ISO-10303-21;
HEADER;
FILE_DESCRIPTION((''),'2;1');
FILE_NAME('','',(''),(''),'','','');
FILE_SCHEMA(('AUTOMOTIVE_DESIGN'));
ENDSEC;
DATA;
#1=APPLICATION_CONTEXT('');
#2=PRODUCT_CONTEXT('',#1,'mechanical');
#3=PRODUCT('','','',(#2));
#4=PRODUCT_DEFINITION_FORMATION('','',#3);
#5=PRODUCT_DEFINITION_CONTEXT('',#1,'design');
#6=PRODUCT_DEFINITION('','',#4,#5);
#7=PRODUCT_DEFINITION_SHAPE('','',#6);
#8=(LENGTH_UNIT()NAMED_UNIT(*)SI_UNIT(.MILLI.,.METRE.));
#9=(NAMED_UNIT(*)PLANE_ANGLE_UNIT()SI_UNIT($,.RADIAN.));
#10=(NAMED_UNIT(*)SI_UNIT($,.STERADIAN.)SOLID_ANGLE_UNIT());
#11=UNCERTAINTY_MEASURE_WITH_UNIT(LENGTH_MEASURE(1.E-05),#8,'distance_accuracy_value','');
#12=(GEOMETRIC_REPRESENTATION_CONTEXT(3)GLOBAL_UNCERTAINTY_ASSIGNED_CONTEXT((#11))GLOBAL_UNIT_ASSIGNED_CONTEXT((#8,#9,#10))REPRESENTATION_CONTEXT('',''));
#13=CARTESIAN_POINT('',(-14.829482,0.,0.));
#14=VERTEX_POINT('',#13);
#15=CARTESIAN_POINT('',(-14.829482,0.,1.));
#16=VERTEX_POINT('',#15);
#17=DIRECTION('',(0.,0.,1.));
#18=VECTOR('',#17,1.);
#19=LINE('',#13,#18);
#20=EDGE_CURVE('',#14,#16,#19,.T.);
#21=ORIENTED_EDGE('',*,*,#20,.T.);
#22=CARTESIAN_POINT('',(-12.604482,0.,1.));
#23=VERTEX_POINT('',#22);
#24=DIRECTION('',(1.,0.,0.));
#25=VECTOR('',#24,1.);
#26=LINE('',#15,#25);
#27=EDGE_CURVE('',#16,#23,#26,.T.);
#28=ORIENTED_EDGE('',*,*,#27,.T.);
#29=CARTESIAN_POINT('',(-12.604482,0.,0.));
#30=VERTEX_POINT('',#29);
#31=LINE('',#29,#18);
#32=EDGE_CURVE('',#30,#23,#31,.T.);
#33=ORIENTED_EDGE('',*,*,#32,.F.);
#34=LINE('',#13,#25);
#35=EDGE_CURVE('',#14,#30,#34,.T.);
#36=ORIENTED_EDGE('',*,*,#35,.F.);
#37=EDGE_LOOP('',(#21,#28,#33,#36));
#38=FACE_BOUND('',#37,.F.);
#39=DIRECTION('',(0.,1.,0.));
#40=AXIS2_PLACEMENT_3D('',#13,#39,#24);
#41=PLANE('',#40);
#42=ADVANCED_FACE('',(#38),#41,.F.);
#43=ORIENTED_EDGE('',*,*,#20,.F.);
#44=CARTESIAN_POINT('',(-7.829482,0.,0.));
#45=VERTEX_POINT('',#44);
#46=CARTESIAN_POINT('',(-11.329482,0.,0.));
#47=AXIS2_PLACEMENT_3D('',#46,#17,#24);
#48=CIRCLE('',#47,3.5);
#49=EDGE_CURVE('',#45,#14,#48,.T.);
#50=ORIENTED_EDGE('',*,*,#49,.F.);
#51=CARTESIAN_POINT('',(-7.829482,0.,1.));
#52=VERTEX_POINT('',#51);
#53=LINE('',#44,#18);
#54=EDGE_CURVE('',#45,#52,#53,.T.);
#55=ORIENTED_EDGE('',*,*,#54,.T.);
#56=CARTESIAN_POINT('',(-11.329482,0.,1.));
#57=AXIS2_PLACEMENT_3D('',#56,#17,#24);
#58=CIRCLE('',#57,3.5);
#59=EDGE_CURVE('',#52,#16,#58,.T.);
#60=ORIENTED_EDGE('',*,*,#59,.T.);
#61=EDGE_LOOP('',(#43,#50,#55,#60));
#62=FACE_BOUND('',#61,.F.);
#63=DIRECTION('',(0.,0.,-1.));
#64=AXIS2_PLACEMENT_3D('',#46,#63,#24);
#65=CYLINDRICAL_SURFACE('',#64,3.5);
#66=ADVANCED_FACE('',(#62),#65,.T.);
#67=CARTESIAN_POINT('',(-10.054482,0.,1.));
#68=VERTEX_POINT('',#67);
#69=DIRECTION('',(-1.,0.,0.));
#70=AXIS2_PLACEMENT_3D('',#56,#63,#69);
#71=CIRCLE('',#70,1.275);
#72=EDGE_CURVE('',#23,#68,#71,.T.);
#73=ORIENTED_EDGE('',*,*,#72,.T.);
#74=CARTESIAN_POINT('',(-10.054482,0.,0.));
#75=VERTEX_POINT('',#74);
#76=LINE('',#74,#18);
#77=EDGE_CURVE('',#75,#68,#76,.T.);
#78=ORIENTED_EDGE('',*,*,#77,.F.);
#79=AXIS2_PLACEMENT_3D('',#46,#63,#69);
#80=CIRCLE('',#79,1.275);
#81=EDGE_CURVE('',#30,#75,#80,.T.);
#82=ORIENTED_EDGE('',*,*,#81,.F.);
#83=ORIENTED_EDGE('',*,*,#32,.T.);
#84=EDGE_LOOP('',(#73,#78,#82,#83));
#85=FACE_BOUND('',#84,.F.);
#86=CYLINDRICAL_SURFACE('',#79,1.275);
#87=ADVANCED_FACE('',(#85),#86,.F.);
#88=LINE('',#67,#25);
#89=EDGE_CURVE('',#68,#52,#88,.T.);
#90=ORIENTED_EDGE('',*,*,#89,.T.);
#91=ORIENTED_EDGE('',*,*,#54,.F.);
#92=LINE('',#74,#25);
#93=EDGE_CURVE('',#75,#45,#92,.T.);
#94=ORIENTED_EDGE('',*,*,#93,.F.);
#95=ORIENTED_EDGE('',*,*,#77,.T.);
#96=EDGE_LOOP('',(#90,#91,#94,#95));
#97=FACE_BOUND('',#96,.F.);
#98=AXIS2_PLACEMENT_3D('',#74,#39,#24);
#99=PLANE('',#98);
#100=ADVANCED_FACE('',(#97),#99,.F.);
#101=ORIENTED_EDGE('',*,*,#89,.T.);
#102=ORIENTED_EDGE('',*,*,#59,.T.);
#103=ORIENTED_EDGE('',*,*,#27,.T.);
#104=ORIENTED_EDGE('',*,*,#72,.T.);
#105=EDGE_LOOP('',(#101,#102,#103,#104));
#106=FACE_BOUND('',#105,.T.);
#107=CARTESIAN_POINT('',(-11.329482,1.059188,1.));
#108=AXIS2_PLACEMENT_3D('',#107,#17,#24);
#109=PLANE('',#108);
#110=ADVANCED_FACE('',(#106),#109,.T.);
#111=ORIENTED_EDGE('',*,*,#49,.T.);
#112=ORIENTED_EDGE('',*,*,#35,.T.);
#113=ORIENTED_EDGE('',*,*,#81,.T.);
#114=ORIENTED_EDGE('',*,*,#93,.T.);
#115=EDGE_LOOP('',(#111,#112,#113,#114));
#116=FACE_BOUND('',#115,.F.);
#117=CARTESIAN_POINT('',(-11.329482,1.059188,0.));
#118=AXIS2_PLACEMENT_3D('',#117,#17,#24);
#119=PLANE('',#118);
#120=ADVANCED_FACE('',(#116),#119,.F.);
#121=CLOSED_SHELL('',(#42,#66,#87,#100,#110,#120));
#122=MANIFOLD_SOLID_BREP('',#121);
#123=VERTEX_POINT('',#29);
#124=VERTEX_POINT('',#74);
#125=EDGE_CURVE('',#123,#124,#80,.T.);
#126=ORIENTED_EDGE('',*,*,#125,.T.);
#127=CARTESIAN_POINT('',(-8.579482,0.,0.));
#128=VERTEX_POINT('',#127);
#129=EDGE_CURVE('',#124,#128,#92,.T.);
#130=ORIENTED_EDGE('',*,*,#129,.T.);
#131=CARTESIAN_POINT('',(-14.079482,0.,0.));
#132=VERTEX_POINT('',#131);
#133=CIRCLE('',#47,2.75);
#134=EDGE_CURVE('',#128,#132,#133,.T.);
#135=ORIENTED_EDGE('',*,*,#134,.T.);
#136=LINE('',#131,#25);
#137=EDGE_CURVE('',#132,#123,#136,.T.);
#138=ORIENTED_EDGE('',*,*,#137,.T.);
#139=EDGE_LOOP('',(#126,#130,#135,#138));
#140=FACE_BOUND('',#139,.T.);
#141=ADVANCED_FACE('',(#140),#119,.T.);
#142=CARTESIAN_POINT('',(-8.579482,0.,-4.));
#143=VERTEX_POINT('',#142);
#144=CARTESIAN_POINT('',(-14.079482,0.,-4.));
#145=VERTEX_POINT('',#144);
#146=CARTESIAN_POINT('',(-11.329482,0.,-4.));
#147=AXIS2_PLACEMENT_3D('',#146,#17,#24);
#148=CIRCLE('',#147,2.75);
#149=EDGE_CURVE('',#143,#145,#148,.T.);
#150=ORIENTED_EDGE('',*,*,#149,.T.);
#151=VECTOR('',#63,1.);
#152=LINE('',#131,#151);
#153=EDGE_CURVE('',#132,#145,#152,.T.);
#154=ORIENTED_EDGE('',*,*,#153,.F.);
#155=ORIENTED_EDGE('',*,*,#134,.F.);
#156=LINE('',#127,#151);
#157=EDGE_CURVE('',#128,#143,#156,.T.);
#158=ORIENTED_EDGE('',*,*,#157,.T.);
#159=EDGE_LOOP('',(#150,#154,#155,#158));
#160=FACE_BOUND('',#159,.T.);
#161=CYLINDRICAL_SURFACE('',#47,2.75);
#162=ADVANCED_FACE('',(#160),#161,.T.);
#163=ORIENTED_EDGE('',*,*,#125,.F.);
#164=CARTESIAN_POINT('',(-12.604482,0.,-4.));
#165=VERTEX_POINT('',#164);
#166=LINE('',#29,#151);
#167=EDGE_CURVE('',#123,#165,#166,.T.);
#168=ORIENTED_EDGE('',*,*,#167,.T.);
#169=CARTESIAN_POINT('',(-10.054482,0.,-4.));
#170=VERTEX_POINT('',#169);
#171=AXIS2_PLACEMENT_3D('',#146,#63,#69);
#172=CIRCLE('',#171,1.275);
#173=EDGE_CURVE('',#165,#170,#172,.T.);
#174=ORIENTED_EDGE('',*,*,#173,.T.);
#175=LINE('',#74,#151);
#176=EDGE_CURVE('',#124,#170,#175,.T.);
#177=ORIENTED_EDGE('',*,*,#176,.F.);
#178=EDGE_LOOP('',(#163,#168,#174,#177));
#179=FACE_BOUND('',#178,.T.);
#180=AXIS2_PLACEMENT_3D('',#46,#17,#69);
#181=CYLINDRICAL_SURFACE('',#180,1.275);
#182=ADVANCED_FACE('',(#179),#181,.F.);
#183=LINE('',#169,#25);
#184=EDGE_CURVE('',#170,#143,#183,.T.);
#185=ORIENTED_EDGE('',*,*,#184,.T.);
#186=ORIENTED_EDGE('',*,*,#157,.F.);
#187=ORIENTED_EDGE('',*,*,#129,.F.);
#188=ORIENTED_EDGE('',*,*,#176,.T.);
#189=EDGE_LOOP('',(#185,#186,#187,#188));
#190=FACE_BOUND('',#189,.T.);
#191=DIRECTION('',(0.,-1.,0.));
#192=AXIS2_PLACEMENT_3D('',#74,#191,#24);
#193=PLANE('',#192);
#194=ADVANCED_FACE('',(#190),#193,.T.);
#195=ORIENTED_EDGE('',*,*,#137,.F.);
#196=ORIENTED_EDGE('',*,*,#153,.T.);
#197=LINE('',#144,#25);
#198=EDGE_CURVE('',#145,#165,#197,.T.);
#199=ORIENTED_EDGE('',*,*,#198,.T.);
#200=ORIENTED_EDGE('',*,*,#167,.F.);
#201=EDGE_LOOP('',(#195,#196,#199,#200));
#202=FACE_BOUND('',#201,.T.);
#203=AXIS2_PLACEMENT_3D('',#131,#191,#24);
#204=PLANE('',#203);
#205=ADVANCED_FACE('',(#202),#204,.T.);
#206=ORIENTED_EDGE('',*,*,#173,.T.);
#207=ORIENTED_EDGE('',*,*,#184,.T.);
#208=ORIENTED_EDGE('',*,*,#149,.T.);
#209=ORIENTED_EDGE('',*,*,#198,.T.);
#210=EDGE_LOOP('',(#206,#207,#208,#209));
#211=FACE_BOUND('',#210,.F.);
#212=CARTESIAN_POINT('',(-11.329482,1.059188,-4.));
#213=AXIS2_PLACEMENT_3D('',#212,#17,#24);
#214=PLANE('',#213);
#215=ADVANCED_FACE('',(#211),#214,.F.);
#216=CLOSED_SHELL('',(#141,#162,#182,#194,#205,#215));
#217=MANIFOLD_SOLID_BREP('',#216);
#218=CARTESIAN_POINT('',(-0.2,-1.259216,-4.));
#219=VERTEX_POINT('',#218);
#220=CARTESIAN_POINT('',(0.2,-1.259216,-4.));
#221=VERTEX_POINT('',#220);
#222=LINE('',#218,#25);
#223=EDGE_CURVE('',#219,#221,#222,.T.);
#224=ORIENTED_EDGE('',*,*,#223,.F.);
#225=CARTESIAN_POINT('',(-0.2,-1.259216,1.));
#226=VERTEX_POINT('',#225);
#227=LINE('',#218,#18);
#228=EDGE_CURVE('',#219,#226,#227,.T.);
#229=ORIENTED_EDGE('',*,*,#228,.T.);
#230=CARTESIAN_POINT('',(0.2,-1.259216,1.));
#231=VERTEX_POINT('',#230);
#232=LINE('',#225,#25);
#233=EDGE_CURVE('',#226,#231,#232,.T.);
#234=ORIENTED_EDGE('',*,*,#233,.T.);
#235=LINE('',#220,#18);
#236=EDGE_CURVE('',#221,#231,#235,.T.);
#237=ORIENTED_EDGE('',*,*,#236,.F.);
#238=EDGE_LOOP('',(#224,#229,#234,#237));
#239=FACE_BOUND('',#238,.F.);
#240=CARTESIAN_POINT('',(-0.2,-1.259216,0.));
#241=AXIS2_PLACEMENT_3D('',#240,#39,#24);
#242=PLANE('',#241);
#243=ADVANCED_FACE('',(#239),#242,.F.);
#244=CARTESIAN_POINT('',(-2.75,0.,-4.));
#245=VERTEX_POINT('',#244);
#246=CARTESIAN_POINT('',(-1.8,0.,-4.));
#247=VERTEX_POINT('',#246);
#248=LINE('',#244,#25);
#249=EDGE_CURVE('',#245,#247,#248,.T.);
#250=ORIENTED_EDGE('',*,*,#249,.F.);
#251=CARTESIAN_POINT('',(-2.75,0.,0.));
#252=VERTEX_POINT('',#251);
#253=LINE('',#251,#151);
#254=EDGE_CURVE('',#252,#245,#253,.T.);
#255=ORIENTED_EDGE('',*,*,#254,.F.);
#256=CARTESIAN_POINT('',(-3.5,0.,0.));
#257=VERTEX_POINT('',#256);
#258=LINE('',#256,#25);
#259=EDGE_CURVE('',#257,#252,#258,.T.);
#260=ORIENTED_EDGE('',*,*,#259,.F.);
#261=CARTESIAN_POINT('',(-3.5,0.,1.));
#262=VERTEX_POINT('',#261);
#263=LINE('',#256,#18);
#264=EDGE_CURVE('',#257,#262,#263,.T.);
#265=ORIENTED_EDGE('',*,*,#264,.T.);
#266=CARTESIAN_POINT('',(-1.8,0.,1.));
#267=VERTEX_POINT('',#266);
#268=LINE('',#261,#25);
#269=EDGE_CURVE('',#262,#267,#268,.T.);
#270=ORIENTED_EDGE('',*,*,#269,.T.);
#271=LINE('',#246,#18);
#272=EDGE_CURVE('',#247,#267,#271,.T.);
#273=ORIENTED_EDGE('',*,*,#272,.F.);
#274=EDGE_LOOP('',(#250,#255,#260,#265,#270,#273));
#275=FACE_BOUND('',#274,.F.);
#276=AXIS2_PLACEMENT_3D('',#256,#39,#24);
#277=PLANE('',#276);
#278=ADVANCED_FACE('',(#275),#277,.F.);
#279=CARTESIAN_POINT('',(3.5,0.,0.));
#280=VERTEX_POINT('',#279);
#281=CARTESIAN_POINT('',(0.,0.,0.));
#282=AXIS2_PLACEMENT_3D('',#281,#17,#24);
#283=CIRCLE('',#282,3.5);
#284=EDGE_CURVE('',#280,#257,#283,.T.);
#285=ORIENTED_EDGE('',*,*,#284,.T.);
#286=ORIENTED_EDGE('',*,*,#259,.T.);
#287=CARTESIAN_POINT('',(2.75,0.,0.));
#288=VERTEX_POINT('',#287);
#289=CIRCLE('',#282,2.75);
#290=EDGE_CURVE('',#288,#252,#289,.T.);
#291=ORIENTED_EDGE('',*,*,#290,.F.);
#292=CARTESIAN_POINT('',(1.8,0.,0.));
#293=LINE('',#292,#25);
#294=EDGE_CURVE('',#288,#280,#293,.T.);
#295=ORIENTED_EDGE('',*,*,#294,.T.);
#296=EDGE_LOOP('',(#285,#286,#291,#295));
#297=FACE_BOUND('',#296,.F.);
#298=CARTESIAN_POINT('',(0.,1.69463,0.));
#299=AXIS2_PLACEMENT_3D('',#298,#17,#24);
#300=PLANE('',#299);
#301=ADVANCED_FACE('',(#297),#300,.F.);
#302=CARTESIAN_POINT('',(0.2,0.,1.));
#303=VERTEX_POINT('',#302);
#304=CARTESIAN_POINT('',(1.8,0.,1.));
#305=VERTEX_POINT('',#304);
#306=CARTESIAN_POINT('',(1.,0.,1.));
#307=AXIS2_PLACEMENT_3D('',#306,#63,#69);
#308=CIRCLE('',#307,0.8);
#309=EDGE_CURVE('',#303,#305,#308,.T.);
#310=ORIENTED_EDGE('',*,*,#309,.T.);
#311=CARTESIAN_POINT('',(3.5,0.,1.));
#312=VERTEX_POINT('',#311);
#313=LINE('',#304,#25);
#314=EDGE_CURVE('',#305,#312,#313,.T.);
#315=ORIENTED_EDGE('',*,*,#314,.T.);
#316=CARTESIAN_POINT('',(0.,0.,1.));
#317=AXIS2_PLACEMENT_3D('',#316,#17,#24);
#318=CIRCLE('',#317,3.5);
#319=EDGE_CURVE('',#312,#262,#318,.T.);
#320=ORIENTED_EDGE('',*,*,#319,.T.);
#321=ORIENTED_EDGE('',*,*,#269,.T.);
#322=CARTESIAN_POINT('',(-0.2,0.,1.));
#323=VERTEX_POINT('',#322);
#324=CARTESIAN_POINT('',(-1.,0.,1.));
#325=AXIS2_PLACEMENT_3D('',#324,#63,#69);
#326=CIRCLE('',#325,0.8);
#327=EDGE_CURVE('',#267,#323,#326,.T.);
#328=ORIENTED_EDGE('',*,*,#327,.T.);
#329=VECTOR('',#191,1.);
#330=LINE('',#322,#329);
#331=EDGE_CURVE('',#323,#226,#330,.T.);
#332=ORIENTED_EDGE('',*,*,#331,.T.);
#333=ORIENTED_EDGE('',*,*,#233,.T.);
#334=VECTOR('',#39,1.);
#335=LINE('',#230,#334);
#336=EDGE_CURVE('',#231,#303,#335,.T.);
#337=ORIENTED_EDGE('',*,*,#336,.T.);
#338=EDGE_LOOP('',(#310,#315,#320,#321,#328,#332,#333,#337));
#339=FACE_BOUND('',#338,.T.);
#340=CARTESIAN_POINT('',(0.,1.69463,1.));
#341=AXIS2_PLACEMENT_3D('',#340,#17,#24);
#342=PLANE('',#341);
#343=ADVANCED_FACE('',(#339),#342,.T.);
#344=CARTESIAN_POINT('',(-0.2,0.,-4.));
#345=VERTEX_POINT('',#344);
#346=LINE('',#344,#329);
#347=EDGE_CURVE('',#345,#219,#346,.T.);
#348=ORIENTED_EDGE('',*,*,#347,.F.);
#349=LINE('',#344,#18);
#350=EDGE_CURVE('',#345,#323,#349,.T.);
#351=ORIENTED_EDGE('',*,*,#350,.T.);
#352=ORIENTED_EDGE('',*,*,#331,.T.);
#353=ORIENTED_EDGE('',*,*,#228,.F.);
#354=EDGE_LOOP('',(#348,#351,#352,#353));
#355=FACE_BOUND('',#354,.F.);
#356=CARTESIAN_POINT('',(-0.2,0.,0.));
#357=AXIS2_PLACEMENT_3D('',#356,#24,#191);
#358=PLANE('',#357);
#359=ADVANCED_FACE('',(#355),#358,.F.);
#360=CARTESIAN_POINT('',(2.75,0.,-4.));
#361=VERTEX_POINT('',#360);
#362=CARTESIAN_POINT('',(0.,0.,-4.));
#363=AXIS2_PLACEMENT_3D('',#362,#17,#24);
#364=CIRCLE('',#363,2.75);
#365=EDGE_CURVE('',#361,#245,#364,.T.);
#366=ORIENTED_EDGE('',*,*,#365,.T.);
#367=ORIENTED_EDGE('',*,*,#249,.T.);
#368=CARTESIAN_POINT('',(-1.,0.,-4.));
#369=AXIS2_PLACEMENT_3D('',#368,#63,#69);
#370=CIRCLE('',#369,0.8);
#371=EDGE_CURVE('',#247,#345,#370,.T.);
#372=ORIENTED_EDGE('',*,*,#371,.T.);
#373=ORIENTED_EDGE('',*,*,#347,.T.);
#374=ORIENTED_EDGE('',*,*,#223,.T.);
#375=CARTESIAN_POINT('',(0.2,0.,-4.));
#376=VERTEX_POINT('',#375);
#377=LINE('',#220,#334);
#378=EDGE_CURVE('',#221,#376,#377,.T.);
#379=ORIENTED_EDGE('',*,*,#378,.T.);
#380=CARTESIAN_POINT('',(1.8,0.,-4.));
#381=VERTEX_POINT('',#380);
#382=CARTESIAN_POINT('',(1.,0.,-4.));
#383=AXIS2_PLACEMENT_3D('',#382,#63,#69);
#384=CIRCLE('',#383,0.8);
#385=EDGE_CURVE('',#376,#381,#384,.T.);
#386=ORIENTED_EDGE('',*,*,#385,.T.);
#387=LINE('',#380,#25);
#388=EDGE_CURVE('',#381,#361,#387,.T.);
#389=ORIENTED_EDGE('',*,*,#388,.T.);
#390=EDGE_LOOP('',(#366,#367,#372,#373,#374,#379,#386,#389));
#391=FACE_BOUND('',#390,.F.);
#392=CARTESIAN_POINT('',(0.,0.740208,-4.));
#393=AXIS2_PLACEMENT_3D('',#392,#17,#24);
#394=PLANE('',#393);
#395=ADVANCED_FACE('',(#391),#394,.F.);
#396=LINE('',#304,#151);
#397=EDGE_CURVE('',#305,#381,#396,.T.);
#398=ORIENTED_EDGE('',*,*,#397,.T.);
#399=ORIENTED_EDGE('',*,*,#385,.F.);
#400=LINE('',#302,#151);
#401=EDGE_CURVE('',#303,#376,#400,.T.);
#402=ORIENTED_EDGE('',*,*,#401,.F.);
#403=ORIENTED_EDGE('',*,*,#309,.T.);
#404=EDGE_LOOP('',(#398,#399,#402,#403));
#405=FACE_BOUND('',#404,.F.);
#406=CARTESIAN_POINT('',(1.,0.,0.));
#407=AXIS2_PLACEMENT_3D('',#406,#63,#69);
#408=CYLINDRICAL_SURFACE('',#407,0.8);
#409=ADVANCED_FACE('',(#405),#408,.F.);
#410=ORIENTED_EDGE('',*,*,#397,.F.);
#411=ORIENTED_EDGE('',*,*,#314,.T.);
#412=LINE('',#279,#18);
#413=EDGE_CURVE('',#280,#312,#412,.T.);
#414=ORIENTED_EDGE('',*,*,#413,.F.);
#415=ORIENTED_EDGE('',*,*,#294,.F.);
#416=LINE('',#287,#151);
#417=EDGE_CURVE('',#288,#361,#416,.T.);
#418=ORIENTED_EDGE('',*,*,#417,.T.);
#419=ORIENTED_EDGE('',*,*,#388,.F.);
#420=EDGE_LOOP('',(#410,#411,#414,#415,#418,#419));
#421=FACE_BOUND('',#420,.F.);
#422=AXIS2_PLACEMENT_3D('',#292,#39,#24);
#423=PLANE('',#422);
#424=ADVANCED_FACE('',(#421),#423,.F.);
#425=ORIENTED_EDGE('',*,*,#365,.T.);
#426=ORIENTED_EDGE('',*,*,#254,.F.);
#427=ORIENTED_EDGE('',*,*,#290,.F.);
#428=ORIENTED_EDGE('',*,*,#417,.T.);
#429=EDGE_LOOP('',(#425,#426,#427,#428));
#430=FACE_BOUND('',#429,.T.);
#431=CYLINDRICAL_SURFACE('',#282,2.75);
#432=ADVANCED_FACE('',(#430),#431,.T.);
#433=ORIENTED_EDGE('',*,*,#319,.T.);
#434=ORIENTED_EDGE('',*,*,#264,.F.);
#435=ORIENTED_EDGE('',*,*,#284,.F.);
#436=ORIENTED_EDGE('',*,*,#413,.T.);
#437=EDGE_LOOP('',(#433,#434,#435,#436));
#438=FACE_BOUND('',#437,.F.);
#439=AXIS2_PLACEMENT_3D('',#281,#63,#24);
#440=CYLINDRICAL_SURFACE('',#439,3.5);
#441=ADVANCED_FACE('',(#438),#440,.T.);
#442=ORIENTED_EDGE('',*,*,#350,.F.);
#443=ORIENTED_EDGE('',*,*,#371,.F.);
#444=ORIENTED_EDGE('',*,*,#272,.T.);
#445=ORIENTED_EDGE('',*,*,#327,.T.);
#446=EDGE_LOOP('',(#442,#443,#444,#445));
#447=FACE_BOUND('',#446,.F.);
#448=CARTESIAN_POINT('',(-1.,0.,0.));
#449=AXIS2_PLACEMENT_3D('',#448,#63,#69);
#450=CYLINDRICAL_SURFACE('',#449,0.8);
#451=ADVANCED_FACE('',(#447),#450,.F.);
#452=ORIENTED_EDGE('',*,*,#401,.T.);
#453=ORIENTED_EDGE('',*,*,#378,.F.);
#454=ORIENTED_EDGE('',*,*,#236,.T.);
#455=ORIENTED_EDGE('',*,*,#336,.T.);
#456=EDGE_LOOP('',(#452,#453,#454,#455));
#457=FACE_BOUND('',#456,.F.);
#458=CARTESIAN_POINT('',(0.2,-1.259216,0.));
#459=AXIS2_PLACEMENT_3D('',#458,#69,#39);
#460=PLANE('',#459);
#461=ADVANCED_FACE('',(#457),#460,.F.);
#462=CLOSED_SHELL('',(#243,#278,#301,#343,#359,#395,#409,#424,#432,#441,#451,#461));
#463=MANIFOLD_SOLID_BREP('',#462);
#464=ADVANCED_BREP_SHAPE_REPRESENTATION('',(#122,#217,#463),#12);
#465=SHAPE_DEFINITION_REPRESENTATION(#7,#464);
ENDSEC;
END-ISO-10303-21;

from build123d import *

# Parameters (mm, degrees)
F3_DEPTH = 4
F4_DEPTH = 1
F5_DEPTH = 4
F6_DEPTH = 1


with BuildPart() as f3:
    # F2 (on Top) → F3 (new body)
    with BuildSketch(Plane.XY):
        with BuildLine():
            Line((1.8, 0), (2.75, 0))
            ThreePointArc((2.75, 0), (0, 2.75), (-2.75, 0))
            Line((-2.75, 0), (-1.8, 0))
            ThreePointArc((-1.8, 0), (-1, 0.8), (-0.2, 0))
            Line((-0.2, 0), (-0.2, -1.2592160259))
            Line((-0.2, -1.2592160259), (0.2, -1.2592160259))
            Line((0.2, -1.2592160259), (0.2, 0))
            ThreePointArc((0.2, 0), (1, 0.8), (1.8, 0))
        make_face()
    extrude(amount=-F3_DEPTH)

    # F2 (on Top) → F4 (join)
    with BuildSketch(Plane.XY):
        with BuildLine():
            ThreePointArc((-2.75, 0), (0, 2.75), (2.75, 0))
            Line((2.75, 0), (3.5, 0))
            ThreePointArc((3.5, 0), (0, 3.5), (-3.5, 0))
            Line((-3.5, 0), (-2.75, 0))
        make_face()
        with BuildLine():
            Line((1.8, 0), (2.75, 0))
            ThreePointArc((2.75, 0), (0, 2.75), (-2.75, 0))
            Line((-2.75, 0), (-1.8, 0))
            ThreePointArc((-1.8, 0), (-1, 0.8), (-0.2, 0))
            Line((-0.2, 0), (-0.2, -1.2592160259))
            Line((-0.2, -1.2592160259), (0.2, -1.2592160259))
            Line((0.2, -1.2592160259), (0.2, 0))
            ThreePointArc((0.2, 0), (1, 0.8), (1.8, 0))
        make_face()
    extrude(amount=F4_DEPTH)


with BuildPart() as f5:
    # F2 (on Top) → F5 (new body)
    with BuildSketch(Plane.XY):
        with BuildLine():
            Line((-10.0544823095, 0), (-8.5794823095, 0))
            ThreePointArc((-8.5794823095, 0), (-11.3294823095, 2.75), (-14.0794823095, 0))
            Line((-14.0794823095, 0), (-12.6044823095, 0))
            ThreePointArc((-12.6044823095, 0), (-11.3294823095, 1.275), (-10.0544823095, 0))
        make_face()
    extrude(amount=-F5_DEPTH)


with BuildPart() as f6:
    # F2 (on Top) → F6 (new body)
    with BuildSketch(Plane.XY):
        with BuildLine():
            Line((-10.0544823095, 0), (-8.5794823095, 0))
            ThreePointArc((-8.5794823095, 0), (-11.3294823095, 2.75), (-14.0794823095, 0))
            Line((-14.0794823095, 0), (-12.6044823095, 0))
            ThreePointArc((-12.6044823095, 0), (-11.3294823095, 1.275), (-10.0544823095, 0))
        make_face()
        with BuildLine():
            ThreePointArc((-14.0794823095, 0), (-11.3294823095, 2.75), (-8.5794823095, 0))
            Line((-8.5794823095, 0), (-7.8294823095, 0))
            ThreePointArc((-7.8294823095, 0), (-11.3294823095, 3.5), (-14.8294823095, 0))
            Line((-14.8294823095, 0), (-14.0794823095, 0))
        make_face()
    extrude(amount=F6_DEPTH)


solid = Compound([f3.part, f5.part, f6.part])
